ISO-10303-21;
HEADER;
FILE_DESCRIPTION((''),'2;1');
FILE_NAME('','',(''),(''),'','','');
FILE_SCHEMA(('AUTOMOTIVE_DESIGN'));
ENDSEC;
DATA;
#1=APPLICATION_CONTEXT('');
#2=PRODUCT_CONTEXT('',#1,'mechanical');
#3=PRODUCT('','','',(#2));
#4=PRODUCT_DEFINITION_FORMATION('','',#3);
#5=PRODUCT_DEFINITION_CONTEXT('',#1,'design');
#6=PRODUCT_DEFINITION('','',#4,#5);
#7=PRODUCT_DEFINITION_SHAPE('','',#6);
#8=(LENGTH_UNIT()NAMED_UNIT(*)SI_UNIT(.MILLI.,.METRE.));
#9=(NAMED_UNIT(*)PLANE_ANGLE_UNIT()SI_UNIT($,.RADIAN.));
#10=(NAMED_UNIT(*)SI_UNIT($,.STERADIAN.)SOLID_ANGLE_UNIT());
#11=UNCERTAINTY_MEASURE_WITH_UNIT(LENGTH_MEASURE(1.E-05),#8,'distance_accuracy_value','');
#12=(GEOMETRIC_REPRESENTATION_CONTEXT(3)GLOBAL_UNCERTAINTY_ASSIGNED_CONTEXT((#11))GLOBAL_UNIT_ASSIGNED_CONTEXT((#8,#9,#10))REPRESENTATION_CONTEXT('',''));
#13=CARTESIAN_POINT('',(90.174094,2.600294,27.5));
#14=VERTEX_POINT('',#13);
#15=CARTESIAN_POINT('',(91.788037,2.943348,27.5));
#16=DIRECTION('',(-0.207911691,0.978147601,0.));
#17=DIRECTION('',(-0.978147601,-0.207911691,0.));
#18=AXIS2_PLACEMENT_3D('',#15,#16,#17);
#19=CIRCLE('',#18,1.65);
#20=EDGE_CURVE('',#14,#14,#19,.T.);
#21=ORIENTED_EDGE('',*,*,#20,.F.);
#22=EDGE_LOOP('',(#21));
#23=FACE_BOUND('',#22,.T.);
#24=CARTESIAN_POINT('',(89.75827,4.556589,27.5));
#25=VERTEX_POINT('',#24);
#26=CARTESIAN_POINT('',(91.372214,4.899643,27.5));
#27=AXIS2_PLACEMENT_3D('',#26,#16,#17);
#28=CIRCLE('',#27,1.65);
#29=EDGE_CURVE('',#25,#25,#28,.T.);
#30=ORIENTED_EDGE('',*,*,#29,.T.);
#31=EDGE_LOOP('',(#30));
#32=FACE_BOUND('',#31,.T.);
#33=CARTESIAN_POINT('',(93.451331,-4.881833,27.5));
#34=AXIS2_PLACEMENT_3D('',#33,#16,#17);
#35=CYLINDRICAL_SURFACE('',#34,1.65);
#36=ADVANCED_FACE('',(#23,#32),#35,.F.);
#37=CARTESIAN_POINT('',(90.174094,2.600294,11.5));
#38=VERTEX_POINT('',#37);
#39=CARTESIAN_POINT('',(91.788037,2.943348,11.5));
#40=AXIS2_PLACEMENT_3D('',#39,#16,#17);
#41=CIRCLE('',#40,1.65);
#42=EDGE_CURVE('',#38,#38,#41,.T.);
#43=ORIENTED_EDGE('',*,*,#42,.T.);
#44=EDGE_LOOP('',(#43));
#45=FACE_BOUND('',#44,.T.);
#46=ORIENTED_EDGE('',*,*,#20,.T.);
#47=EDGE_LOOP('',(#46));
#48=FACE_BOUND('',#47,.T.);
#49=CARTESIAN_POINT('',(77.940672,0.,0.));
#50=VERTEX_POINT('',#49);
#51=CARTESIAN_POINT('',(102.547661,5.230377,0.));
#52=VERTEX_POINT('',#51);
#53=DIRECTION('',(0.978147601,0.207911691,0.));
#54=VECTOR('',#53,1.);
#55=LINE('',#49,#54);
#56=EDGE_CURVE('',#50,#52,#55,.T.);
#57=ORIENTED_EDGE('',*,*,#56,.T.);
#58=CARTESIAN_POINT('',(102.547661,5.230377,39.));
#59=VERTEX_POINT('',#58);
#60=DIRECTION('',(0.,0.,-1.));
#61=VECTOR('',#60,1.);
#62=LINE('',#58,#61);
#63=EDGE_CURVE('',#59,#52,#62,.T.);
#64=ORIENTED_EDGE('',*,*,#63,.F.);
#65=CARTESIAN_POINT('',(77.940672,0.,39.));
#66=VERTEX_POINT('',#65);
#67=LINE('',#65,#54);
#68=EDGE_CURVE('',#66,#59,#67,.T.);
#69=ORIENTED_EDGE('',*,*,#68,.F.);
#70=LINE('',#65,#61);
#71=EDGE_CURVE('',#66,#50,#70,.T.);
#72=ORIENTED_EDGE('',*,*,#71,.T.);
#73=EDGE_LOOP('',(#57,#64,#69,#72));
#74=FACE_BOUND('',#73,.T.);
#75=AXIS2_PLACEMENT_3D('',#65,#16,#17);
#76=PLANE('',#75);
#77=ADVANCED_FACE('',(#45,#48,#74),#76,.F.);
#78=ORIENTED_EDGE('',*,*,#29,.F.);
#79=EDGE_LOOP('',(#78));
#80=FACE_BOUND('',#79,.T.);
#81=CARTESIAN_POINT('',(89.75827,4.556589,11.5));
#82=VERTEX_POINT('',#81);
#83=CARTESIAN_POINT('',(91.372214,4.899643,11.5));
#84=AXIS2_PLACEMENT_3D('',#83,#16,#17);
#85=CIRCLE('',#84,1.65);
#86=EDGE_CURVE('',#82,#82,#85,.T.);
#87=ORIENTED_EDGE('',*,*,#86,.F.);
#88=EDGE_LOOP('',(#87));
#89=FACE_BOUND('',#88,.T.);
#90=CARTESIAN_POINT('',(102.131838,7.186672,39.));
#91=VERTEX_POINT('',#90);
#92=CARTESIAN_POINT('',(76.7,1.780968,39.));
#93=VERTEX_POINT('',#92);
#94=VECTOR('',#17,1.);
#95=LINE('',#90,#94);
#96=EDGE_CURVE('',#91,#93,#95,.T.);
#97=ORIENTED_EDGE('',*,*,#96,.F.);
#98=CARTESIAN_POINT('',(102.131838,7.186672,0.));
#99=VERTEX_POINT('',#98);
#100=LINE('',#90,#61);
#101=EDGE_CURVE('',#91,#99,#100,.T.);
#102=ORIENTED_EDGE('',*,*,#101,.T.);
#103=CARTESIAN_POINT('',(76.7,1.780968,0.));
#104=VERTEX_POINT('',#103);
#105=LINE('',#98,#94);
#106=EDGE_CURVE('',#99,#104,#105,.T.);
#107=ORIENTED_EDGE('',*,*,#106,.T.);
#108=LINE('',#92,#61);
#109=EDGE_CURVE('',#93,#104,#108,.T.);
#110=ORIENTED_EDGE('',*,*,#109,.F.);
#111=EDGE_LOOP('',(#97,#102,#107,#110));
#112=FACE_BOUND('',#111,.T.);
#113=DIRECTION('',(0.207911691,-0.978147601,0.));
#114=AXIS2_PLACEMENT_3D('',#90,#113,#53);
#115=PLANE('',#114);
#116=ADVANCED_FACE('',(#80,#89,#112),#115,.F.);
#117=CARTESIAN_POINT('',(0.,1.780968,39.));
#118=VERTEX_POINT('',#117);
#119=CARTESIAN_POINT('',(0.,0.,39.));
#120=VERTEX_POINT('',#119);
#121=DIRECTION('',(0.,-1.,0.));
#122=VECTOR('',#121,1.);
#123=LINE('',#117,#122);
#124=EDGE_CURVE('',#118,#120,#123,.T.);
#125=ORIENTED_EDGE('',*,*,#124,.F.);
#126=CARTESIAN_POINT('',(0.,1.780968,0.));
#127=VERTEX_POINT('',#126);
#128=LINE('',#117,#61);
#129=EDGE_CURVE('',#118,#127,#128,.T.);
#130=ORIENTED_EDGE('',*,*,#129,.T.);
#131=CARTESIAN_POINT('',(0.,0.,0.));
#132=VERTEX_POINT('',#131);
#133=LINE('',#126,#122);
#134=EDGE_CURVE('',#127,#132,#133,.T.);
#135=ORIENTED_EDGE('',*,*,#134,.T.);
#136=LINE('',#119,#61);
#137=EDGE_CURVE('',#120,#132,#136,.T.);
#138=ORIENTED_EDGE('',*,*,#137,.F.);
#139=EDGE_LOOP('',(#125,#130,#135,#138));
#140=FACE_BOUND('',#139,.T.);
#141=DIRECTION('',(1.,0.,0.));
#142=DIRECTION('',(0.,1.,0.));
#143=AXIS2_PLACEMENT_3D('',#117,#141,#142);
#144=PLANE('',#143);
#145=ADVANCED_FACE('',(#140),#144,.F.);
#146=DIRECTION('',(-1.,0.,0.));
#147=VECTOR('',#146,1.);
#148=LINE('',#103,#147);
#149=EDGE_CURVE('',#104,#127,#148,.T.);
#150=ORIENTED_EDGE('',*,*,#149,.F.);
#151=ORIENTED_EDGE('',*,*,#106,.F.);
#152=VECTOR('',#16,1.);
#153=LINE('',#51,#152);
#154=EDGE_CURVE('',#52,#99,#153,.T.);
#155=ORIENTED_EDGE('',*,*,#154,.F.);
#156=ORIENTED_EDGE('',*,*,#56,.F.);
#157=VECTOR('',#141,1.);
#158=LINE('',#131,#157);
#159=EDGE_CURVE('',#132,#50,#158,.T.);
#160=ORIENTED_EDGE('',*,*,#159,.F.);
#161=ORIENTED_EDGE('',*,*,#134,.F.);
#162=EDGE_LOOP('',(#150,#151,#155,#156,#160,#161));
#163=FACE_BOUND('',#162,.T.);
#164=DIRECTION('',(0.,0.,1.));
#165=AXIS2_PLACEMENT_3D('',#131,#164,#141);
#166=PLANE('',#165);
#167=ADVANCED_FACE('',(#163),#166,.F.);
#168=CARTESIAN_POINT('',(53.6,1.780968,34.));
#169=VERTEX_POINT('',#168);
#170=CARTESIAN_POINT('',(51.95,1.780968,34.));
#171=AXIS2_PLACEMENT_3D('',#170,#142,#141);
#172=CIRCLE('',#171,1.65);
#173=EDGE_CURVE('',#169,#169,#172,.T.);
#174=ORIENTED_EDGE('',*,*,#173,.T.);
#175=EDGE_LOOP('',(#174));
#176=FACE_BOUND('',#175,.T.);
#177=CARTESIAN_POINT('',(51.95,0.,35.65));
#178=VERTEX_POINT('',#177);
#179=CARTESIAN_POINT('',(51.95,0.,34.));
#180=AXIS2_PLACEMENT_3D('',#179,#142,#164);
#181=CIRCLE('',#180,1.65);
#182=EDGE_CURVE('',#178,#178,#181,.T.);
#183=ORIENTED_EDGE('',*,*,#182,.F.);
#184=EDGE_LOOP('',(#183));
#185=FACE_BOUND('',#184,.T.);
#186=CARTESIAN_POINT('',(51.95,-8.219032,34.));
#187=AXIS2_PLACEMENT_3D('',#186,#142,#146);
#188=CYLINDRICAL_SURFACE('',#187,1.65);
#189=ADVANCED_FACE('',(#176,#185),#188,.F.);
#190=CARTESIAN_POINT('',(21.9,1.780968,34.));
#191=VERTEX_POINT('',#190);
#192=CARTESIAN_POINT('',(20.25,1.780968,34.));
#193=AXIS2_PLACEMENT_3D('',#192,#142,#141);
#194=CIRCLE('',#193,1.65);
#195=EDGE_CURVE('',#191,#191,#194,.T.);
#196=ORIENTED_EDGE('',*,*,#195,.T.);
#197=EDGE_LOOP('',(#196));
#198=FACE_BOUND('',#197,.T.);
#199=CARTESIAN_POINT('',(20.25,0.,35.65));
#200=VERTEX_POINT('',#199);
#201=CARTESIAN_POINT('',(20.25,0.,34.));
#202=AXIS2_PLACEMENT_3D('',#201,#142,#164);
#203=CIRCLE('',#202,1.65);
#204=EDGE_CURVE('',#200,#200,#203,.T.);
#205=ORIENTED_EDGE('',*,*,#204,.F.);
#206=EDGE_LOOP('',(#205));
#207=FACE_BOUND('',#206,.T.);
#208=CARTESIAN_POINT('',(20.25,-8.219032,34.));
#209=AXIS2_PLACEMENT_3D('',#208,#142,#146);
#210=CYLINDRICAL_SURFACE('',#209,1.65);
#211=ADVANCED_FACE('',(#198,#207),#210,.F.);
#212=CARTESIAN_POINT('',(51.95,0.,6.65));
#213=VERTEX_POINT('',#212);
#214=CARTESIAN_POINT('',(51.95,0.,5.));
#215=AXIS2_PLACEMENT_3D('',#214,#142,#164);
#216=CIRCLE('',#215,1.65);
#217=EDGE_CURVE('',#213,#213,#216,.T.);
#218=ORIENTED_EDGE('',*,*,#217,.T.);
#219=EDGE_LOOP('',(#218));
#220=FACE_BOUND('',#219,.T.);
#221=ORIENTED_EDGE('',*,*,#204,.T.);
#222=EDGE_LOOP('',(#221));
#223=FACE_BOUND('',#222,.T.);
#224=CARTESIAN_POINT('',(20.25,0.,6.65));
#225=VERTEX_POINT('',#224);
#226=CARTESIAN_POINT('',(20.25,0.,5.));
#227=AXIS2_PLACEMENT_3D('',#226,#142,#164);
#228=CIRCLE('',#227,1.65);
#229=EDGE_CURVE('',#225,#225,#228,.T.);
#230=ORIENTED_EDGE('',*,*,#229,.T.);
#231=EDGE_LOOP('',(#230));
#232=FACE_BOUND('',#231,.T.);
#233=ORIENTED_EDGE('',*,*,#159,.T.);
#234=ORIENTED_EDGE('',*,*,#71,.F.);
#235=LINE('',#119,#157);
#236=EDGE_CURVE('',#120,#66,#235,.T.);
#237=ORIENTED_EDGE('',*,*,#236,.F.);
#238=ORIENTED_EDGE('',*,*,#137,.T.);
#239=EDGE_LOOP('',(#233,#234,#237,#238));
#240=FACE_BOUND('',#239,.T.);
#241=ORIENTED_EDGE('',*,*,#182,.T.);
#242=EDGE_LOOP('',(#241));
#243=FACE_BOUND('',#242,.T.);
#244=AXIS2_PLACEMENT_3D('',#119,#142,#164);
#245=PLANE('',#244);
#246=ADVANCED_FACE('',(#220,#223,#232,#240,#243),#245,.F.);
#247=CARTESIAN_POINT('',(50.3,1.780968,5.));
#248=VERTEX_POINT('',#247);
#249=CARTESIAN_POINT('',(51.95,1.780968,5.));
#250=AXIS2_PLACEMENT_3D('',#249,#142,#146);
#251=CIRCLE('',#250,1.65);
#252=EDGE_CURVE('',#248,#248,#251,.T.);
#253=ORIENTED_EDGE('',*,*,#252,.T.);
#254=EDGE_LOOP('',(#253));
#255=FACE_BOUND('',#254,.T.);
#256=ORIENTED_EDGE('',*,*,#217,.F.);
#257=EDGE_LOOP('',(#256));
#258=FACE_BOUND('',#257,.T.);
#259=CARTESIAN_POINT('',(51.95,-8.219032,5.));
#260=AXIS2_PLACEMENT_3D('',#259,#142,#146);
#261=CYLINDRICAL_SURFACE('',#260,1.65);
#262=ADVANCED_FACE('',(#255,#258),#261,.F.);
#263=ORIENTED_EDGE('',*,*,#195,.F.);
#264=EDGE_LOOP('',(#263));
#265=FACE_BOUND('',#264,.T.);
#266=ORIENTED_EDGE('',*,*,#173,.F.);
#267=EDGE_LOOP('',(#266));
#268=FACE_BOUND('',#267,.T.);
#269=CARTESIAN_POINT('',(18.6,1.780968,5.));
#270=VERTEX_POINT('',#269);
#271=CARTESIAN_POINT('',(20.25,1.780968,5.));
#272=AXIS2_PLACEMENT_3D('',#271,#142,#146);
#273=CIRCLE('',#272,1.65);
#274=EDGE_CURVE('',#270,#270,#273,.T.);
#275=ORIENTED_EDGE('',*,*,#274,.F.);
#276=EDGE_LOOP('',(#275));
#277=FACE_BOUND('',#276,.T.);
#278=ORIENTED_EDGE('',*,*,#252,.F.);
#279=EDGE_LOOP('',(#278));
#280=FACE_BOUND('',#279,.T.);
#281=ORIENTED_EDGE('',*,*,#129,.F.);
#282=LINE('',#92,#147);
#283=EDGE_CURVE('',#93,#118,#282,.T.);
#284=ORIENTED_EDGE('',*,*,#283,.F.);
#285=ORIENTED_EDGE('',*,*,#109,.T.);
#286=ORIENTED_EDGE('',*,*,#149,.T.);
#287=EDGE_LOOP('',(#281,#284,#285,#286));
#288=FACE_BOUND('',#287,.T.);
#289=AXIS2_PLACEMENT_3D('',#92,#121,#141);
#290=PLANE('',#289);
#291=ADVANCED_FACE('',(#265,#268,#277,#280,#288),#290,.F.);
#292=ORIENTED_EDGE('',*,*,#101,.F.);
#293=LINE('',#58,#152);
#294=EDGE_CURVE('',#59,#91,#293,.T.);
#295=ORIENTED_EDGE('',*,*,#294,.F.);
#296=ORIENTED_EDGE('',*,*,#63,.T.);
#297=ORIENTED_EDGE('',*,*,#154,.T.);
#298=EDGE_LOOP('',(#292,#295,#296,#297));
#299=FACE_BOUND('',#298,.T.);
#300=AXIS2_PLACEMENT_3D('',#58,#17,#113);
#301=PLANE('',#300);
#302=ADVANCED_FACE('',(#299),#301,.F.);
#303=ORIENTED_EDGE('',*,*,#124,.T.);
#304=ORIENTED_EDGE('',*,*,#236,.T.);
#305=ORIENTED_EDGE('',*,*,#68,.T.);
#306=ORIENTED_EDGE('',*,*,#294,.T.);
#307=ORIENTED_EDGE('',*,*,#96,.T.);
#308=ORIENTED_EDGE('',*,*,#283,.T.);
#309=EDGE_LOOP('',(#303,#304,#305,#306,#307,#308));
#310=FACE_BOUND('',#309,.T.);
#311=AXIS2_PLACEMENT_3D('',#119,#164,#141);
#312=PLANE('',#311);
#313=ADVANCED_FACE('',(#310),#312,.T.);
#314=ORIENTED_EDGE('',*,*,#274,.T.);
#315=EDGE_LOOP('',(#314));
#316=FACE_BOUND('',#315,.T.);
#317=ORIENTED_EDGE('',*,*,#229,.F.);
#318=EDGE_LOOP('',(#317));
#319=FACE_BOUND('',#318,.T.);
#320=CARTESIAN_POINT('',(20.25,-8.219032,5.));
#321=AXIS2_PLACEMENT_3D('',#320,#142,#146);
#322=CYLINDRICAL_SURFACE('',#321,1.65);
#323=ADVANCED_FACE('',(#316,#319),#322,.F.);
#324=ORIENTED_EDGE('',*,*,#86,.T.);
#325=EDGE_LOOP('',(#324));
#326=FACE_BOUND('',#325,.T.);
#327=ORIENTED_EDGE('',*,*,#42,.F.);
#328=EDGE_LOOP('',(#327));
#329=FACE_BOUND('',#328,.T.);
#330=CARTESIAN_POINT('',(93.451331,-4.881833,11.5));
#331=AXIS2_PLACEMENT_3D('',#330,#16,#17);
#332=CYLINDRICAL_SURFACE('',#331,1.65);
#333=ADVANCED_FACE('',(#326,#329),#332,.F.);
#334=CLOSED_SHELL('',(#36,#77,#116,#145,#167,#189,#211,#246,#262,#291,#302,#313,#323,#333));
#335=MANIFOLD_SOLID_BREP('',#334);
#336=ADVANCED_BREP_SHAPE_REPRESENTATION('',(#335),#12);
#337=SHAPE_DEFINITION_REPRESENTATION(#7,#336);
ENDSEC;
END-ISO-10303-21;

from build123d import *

# Parameters (mm, degrees)
EXTRUDE_1_DEPTH     = 39
SKETCH_3_R          = 1.65
CUT_EXTRUDE_1_DEPTH = 10
SKETCH_4_R          = 1.65
CUT_EXTRUDE_2_DEPTH = 10


with BuildPart() as part:
    # 草图1 → 凸台-拉伸1 (new body)
    with BuildSketch(Plane.XY):
        Polygon((0, 0), (77.940672381, 0), (102.547661001, 5.230376894), (102.131837619, 7.186672096), (76.7, 1.780968134), (0, 1.780968134), align=None)
    extrude(amount=EXTRUDE_1_DEPTH)

    # 草图3 → 切除-拉伸1 (cut)
    with BuildSketch(Plane(origin=(2.953339199, -13.89436852, 0), x_dir=(0.9781476007338052, 0.20791169081776095, 0), z_dir=(-0.20791169081776098, 0.9781476007338054, 0))):
        with Locations(Location((90.394205072, -11.5, 0), (0, 0, 180))):
            Circle(SKETCH_3_R)
        with Locations(Location((90.394205072, -27.5, 0), (0, 0, 180))):
            Circle(SKETCH_3_R)
    extrude(amount=-CUT_EXTRUDE_1_DEPTH, mode=Mode.SUBTRACT)

    # 草图4 → 切除-拉伸2 (cut)
    with BuildSketch(Plane(origin=(0, 1.780968134, 0), x_dir=(1, 0, 0), z_dir=(0, 1, 0))):
        with Locations(Location((20.25, -5, 0), (0, 0, 180))):
            Circle(SKETCH_4_R)
        with Locations(Location((51.95, -5, 0), (0, 0, 180))):
            Circle(SKETCH_4_R)
        with Locations(Location((51.95, -34, 0), (0, 0, 270))):
            Circle(SKETCH_4_R)
        with Locations(Location((20.25, -34, 0), (0, 0, 270))):
            Circle(SKETCH_4_R)
    extrude(amount=-CUT_EXTRUDE_2_DEPTH, mode=Mode.SUBTRACT)


solid = part.part
